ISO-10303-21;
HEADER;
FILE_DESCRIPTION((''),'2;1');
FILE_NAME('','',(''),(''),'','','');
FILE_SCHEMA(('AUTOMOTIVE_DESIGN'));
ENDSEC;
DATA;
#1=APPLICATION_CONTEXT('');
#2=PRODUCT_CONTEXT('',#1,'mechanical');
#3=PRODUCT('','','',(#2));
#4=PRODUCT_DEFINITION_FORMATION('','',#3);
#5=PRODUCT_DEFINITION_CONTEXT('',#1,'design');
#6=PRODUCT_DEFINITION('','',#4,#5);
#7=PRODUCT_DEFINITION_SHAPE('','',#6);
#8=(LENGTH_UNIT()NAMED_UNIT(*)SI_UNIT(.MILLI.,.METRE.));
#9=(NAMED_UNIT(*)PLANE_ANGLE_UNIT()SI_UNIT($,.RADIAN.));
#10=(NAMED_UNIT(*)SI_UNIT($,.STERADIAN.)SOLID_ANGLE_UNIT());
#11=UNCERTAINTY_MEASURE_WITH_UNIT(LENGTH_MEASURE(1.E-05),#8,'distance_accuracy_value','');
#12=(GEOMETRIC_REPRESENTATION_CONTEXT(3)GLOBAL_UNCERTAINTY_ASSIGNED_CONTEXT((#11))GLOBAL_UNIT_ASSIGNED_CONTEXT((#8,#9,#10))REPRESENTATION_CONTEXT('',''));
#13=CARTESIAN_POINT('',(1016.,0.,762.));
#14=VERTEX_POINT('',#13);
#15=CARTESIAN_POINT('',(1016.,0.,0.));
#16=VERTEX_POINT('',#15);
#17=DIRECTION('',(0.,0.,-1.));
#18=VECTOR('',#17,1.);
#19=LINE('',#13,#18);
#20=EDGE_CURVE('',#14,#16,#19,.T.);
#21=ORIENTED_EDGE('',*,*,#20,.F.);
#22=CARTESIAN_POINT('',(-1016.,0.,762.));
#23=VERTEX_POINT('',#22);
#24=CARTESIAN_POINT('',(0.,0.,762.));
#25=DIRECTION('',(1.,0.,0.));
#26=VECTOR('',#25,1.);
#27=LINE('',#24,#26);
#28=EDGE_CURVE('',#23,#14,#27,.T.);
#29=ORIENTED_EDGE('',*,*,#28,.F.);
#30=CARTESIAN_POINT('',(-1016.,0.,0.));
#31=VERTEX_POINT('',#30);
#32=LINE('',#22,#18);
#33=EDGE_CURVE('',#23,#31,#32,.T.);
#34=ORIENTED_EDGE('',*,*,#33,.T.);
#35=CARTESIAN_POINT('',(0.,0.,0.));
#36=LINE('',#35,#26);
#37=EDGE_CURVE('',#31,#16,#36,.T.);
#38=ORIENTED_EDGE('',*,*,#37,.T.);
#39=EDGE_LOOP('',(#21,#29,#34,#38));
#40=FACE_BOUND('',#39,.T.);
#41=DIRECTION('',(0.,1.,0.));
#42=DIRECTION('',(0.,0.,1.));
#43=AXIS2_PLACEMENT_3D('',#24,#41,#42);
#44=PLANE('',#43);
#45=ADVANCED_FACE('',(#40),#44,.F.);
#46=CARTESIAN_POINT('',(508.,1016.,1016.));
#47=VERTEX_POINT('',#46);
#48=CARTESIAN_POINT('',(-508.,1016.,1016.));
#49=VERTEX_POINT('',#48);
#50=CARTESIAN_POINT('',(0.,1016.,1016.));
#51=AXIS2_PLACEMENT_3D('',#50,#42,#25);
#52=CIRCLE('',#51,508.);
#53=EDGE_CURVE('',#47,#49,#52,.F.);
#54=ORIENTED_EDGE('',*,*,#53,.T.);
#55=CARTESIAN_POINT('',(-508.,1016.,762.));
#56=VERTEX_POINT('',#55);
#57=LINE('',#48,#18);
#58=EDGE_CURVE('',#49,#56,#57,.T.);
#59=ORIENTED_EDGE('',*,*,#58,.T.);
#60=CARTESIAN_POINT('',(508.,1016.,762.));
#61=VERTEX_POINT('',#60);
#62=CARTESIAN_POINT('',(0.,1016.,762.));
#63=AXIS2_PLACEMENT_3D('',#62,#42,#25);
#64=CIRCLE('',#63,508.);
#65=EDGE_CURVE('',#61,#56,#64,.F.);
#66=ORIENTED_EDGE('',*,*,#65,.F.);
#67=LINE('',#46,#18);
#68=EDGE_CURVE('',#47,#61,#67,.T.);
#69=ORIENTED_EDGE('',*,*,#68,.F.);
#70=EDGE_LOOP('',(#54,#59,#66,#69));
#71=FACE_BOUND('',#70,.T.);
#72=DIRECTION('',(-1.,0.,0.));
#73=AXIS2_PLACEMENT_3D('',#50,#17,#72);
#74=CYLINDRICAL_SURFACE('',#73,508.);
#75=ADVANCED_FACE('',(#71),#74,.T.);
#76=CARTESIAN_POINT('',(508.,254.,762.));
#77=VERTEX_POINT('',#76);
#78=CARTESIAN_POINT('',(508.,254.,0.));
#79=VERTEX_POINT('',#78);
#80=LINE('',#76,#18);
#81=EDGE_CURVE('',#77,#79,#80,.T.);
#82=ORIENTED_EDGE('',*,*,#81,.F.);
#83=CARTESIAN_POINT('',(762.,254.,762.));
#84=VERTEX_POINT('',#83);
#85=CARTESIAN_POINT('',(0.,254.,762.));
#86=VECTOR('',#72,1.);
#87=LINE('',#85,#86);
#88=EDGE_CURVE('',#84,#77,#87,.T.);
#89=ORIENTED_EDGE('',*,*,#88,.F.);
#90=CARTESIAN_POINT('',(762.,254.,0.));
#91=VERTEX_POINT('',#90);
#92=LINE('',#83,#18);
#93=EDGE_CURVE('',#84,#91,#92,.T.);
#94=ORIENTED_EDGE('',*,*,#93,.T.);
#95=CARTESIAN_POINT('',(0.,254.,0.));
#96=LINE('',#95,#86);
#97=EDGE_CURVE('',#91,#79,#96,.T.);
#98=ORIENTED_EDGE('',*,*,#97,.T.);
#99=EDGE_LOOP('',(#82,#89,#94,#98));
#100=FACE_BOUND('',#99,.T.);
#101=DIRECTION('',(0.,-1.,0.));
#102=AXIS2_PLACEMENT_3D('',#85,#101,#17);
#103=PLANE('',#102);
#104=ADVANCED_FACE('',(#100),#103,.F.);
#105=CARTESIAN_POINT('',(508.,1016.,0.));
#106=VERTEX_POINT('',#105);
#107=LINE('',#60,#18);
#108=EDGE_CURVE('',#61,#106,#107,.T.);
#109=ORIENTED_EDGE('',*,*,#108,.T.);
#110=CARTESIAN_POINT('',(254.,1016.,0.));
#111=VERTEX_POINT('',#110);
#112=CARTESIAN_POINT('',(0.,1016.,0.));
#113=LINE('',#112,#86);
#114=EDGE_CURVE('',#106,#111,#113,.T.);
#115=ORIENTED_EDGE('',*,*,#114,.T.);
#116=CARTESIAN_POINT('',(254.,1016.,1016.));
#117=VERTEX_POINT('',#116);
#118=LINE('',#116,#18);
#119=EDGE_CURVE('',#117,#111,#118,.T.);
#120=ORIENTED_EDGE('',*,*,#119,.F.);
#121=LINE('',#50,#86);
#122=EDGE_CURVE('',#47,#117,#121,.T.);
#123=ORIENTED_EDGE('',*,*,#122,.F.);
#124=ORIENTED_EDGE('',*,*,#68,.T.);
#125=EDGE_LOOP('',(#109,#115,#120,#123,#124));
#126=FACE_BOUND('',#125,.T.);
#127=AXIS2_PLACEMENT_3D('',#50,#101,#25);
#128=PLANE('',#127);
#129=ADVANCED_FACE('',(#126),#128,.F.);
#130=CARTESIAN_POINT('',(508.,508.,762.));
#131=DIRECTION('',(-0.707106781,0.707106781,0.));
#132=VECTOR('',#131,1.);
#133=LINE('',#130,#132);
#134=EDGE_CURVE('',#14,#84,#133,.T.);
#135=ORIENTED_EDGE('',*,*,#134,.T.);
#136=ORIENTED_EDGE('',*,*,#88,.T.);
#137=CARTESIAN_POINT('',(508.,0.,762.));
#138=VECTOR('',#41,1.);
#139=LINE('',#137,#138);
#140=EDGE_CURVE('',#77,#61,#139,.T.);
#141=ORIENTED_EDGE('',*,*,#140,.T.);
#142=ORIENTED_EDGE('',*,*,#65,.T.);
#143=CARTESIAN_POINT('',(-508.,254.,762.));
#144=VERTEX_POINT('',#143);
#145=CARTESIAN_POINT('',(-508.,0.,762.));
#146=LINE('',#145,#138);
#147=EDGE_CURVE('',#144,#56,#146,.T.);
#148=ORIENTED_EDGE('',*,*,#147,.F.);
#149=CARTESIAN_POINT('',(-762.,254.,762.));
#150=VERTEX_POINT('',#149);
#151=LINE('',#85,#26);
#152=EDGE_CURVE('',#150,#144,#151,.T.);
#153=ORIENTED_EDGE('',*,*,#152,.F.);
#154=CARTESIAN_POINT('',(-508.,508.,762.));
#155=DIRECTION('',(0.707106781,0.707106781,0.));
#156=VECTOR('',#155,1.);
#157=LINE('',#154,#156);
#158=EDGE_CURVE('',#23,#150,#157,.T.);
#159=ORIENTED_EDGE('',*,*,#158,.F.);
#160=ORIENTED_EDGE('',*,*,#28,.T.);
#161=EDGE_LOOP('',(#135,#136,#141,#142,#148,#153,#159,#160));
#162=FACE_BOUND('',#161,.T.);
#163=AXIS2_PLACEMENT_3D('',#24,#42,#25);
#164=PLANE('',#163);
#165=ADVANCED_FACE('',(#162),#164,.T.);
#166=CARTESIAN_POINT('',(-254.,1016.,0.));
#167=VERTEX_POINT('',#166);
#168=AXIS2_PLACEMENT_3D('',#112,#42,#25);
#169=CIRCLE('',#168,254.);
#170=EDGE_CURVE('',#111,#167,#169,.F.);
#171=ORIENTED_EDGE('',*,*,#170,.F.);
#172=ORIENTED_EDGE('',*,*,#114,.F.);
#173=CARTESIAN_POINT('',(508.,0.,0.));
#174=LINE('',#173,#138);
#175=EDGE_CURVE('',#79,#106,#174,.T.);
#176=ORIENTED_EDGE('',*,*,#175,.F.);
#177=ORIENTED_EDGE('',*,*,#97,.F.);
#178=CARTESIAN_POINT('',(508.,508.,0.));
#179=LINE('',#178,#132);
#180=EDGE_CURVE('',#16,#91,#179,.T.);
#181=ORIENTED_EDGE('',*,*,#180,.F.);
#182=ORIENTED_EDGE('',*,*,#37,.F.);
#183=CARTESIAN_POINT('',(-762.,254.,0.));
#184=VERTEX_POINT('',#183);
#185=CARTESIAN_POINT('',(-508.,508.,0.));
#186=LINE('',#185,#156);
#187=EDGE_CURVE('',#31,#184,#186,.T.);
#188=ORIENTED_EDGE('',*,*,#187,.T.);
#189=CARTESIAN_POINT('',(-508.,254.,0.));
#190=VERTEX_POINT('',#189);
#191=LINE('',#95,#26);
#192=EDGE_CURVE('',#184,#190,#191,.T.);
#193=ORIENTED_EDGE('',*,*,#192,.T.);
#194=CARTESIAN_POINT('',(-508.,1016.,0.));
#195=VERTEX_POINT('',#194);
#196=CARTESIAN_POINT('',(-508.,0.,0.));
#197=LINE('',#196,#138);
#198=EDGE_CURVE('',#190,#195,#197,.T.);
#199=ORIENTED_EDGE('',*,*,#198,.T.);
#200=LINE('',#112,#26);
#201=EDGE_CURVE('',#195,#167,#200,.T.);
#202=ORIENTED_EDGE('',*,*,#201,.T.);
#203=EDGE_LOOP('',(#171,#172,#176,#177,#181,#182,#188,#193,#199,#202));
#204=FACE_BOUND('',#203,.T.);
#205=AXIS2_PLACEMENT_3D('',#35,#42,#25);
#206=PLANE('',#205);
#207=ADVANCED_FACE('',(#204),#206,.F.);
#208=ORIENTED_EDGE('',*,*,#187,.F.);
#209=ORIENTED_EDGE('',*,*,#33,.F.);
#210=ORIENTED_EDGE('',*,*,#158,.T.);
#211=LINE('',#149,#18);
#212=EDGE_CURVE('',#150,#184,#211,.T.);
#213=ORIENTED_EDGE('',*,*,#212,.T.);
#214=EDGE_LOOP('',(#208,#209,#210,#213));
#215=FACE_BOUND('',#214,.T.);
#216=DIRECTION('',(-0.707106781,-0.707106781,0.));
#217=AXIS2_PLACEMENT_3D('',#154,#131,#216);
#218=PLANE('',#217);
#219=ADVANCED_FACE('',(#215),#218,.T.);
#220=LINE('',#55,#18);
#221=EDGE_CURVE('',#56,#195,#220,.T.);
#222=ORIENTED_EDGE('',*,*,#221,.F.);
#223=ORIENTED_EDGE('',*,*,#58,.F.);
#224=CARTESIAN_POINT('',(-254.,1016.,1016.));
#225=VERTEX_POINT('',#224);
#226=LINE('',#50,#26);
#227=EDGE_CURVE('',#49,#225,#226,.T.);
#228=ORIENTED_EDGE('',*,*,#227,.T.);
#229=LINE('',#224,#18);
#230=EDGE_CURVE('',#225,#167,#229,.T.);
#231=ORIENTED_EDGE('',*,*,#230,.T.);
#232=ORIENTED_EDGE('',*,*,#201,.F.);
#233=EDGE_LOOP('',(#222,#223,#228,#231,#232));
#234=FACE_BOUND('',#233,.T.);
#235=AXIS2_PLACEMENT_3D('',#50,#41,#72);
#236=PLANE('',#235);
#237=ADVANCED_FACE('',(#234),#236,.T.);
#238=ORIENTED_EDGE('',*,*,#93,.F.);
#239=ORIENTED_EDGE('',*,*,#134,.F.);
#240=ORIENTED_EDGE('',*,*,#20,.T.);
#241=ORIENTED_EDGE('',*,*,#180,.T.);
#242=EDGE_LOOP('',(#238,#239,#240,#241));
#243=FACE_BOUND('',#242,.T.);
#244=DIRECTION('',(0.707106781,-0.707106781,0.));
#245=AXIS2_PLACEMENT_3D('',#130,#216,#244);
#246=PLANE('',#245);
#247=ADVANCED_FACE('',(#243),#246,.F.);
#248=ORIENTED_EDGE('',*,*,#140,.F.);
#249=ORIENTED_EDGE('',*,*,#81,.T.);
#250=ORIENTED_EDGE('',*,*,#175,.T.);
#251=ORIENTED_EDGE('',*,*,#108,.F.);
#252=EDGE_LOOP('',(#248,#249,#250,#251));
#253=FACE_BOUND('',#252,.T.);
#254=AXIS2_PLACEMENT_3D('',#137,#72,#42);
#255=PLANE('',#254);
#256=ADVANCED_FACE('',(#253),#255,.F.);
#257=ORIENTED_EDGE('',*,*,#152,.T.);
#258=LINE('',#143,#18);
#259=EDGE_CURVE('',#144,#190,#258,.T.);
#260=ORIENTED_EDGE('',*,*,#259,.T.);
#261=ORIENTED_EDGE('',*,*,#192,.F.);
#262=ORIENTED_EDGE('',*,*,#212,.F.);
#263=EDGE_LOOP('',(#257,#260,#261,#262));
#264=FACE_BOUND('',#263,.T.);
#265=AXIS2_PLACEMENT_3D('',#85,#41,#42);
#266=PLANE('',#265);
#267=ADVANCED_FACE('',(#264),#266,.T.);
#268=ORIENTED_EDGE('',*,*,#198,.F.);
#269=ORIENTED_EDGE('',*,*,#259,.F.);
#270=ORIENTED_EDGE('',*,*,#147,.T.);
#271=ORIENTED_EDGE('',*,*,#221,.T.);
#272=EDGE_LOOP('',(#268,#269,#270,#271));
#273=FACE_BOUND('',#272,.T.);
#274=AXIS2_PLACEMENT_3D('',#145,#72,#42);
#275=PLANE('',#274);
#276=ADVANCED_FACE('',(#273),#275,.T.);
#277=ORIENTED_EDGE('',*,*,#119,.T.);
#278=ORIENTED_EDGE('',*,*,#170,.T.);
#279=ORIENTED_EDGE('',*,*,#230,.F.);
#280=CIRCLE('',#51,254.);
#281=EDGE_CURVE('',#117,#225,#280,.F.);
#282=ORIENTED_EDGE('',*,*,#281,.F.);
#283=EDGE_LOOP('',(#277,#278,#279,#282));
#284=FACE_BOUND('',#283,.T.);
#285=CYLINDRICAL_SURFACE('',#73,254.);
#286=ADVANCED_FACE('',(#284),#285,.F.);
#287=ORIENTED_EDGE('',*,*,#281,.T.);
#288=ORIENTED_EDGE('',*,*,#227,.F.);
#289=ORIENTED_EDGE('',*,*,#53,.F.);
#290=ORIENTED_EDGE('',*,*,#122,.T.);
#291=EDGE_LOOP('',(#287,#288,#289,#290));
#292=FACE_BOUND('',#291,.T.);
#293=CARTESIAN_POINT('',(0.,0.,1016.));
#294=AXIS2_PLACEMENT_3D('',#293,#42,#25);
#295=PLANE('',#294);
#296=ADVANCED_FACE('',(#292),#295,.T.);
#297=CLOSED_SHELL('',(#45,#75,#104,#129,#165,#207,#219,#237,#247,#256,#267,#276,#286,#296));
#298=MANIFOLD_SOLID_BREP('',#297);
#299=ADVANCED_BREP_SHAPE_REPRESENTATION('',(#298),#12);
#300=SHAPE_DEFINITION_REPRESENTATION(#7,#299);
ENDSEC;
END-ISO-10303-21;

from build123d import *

# Parameters (mm, degrees)
BOSS_EXTRUDE1_DEPTH = 1016
BOSS_EXTRUDE2_DEPTH = 762


with BuildPart() as part:
    # Sketch1 → Boss-Extrude1 (new body)
    with BuildSketch(Plane.XY):
        with BuildLine():
            ThreePointArc((-508, 1016), (0, 508), (508, 1016))
            Line((508, 1016), (254, 1016))
            ThreePointArc((254, 1016), (0, 762), (-254, 1016))
            Line((-254, 1016), (-508, 1016))
        make_face()
    extrude(amount=BOSS_EXTRUDE1_DEPTH)

    # Sketch1<3> → Boss-Extrude2 (add)
    with BuildSketch(Plane.XY):
        with BuildLine():
            Line((-1016, 0), (1016, 0))
            Line((1016, 0), (762, 254))
            Line((762, 254), (508, 254))
            Line((508, 254), (508, 1016))
            ThreePointArc((508, 1016), (0, 508), (-508, 1016))
            Line((-508, 1016), (-508, 254))
            Line((-508, 254), (-762, 254))
            Line((-762, 254), (-1016, 0))
        make_face()
    extrude(amount=BOSS_EXTRUDE2_DEPTH)


solid = part.part
